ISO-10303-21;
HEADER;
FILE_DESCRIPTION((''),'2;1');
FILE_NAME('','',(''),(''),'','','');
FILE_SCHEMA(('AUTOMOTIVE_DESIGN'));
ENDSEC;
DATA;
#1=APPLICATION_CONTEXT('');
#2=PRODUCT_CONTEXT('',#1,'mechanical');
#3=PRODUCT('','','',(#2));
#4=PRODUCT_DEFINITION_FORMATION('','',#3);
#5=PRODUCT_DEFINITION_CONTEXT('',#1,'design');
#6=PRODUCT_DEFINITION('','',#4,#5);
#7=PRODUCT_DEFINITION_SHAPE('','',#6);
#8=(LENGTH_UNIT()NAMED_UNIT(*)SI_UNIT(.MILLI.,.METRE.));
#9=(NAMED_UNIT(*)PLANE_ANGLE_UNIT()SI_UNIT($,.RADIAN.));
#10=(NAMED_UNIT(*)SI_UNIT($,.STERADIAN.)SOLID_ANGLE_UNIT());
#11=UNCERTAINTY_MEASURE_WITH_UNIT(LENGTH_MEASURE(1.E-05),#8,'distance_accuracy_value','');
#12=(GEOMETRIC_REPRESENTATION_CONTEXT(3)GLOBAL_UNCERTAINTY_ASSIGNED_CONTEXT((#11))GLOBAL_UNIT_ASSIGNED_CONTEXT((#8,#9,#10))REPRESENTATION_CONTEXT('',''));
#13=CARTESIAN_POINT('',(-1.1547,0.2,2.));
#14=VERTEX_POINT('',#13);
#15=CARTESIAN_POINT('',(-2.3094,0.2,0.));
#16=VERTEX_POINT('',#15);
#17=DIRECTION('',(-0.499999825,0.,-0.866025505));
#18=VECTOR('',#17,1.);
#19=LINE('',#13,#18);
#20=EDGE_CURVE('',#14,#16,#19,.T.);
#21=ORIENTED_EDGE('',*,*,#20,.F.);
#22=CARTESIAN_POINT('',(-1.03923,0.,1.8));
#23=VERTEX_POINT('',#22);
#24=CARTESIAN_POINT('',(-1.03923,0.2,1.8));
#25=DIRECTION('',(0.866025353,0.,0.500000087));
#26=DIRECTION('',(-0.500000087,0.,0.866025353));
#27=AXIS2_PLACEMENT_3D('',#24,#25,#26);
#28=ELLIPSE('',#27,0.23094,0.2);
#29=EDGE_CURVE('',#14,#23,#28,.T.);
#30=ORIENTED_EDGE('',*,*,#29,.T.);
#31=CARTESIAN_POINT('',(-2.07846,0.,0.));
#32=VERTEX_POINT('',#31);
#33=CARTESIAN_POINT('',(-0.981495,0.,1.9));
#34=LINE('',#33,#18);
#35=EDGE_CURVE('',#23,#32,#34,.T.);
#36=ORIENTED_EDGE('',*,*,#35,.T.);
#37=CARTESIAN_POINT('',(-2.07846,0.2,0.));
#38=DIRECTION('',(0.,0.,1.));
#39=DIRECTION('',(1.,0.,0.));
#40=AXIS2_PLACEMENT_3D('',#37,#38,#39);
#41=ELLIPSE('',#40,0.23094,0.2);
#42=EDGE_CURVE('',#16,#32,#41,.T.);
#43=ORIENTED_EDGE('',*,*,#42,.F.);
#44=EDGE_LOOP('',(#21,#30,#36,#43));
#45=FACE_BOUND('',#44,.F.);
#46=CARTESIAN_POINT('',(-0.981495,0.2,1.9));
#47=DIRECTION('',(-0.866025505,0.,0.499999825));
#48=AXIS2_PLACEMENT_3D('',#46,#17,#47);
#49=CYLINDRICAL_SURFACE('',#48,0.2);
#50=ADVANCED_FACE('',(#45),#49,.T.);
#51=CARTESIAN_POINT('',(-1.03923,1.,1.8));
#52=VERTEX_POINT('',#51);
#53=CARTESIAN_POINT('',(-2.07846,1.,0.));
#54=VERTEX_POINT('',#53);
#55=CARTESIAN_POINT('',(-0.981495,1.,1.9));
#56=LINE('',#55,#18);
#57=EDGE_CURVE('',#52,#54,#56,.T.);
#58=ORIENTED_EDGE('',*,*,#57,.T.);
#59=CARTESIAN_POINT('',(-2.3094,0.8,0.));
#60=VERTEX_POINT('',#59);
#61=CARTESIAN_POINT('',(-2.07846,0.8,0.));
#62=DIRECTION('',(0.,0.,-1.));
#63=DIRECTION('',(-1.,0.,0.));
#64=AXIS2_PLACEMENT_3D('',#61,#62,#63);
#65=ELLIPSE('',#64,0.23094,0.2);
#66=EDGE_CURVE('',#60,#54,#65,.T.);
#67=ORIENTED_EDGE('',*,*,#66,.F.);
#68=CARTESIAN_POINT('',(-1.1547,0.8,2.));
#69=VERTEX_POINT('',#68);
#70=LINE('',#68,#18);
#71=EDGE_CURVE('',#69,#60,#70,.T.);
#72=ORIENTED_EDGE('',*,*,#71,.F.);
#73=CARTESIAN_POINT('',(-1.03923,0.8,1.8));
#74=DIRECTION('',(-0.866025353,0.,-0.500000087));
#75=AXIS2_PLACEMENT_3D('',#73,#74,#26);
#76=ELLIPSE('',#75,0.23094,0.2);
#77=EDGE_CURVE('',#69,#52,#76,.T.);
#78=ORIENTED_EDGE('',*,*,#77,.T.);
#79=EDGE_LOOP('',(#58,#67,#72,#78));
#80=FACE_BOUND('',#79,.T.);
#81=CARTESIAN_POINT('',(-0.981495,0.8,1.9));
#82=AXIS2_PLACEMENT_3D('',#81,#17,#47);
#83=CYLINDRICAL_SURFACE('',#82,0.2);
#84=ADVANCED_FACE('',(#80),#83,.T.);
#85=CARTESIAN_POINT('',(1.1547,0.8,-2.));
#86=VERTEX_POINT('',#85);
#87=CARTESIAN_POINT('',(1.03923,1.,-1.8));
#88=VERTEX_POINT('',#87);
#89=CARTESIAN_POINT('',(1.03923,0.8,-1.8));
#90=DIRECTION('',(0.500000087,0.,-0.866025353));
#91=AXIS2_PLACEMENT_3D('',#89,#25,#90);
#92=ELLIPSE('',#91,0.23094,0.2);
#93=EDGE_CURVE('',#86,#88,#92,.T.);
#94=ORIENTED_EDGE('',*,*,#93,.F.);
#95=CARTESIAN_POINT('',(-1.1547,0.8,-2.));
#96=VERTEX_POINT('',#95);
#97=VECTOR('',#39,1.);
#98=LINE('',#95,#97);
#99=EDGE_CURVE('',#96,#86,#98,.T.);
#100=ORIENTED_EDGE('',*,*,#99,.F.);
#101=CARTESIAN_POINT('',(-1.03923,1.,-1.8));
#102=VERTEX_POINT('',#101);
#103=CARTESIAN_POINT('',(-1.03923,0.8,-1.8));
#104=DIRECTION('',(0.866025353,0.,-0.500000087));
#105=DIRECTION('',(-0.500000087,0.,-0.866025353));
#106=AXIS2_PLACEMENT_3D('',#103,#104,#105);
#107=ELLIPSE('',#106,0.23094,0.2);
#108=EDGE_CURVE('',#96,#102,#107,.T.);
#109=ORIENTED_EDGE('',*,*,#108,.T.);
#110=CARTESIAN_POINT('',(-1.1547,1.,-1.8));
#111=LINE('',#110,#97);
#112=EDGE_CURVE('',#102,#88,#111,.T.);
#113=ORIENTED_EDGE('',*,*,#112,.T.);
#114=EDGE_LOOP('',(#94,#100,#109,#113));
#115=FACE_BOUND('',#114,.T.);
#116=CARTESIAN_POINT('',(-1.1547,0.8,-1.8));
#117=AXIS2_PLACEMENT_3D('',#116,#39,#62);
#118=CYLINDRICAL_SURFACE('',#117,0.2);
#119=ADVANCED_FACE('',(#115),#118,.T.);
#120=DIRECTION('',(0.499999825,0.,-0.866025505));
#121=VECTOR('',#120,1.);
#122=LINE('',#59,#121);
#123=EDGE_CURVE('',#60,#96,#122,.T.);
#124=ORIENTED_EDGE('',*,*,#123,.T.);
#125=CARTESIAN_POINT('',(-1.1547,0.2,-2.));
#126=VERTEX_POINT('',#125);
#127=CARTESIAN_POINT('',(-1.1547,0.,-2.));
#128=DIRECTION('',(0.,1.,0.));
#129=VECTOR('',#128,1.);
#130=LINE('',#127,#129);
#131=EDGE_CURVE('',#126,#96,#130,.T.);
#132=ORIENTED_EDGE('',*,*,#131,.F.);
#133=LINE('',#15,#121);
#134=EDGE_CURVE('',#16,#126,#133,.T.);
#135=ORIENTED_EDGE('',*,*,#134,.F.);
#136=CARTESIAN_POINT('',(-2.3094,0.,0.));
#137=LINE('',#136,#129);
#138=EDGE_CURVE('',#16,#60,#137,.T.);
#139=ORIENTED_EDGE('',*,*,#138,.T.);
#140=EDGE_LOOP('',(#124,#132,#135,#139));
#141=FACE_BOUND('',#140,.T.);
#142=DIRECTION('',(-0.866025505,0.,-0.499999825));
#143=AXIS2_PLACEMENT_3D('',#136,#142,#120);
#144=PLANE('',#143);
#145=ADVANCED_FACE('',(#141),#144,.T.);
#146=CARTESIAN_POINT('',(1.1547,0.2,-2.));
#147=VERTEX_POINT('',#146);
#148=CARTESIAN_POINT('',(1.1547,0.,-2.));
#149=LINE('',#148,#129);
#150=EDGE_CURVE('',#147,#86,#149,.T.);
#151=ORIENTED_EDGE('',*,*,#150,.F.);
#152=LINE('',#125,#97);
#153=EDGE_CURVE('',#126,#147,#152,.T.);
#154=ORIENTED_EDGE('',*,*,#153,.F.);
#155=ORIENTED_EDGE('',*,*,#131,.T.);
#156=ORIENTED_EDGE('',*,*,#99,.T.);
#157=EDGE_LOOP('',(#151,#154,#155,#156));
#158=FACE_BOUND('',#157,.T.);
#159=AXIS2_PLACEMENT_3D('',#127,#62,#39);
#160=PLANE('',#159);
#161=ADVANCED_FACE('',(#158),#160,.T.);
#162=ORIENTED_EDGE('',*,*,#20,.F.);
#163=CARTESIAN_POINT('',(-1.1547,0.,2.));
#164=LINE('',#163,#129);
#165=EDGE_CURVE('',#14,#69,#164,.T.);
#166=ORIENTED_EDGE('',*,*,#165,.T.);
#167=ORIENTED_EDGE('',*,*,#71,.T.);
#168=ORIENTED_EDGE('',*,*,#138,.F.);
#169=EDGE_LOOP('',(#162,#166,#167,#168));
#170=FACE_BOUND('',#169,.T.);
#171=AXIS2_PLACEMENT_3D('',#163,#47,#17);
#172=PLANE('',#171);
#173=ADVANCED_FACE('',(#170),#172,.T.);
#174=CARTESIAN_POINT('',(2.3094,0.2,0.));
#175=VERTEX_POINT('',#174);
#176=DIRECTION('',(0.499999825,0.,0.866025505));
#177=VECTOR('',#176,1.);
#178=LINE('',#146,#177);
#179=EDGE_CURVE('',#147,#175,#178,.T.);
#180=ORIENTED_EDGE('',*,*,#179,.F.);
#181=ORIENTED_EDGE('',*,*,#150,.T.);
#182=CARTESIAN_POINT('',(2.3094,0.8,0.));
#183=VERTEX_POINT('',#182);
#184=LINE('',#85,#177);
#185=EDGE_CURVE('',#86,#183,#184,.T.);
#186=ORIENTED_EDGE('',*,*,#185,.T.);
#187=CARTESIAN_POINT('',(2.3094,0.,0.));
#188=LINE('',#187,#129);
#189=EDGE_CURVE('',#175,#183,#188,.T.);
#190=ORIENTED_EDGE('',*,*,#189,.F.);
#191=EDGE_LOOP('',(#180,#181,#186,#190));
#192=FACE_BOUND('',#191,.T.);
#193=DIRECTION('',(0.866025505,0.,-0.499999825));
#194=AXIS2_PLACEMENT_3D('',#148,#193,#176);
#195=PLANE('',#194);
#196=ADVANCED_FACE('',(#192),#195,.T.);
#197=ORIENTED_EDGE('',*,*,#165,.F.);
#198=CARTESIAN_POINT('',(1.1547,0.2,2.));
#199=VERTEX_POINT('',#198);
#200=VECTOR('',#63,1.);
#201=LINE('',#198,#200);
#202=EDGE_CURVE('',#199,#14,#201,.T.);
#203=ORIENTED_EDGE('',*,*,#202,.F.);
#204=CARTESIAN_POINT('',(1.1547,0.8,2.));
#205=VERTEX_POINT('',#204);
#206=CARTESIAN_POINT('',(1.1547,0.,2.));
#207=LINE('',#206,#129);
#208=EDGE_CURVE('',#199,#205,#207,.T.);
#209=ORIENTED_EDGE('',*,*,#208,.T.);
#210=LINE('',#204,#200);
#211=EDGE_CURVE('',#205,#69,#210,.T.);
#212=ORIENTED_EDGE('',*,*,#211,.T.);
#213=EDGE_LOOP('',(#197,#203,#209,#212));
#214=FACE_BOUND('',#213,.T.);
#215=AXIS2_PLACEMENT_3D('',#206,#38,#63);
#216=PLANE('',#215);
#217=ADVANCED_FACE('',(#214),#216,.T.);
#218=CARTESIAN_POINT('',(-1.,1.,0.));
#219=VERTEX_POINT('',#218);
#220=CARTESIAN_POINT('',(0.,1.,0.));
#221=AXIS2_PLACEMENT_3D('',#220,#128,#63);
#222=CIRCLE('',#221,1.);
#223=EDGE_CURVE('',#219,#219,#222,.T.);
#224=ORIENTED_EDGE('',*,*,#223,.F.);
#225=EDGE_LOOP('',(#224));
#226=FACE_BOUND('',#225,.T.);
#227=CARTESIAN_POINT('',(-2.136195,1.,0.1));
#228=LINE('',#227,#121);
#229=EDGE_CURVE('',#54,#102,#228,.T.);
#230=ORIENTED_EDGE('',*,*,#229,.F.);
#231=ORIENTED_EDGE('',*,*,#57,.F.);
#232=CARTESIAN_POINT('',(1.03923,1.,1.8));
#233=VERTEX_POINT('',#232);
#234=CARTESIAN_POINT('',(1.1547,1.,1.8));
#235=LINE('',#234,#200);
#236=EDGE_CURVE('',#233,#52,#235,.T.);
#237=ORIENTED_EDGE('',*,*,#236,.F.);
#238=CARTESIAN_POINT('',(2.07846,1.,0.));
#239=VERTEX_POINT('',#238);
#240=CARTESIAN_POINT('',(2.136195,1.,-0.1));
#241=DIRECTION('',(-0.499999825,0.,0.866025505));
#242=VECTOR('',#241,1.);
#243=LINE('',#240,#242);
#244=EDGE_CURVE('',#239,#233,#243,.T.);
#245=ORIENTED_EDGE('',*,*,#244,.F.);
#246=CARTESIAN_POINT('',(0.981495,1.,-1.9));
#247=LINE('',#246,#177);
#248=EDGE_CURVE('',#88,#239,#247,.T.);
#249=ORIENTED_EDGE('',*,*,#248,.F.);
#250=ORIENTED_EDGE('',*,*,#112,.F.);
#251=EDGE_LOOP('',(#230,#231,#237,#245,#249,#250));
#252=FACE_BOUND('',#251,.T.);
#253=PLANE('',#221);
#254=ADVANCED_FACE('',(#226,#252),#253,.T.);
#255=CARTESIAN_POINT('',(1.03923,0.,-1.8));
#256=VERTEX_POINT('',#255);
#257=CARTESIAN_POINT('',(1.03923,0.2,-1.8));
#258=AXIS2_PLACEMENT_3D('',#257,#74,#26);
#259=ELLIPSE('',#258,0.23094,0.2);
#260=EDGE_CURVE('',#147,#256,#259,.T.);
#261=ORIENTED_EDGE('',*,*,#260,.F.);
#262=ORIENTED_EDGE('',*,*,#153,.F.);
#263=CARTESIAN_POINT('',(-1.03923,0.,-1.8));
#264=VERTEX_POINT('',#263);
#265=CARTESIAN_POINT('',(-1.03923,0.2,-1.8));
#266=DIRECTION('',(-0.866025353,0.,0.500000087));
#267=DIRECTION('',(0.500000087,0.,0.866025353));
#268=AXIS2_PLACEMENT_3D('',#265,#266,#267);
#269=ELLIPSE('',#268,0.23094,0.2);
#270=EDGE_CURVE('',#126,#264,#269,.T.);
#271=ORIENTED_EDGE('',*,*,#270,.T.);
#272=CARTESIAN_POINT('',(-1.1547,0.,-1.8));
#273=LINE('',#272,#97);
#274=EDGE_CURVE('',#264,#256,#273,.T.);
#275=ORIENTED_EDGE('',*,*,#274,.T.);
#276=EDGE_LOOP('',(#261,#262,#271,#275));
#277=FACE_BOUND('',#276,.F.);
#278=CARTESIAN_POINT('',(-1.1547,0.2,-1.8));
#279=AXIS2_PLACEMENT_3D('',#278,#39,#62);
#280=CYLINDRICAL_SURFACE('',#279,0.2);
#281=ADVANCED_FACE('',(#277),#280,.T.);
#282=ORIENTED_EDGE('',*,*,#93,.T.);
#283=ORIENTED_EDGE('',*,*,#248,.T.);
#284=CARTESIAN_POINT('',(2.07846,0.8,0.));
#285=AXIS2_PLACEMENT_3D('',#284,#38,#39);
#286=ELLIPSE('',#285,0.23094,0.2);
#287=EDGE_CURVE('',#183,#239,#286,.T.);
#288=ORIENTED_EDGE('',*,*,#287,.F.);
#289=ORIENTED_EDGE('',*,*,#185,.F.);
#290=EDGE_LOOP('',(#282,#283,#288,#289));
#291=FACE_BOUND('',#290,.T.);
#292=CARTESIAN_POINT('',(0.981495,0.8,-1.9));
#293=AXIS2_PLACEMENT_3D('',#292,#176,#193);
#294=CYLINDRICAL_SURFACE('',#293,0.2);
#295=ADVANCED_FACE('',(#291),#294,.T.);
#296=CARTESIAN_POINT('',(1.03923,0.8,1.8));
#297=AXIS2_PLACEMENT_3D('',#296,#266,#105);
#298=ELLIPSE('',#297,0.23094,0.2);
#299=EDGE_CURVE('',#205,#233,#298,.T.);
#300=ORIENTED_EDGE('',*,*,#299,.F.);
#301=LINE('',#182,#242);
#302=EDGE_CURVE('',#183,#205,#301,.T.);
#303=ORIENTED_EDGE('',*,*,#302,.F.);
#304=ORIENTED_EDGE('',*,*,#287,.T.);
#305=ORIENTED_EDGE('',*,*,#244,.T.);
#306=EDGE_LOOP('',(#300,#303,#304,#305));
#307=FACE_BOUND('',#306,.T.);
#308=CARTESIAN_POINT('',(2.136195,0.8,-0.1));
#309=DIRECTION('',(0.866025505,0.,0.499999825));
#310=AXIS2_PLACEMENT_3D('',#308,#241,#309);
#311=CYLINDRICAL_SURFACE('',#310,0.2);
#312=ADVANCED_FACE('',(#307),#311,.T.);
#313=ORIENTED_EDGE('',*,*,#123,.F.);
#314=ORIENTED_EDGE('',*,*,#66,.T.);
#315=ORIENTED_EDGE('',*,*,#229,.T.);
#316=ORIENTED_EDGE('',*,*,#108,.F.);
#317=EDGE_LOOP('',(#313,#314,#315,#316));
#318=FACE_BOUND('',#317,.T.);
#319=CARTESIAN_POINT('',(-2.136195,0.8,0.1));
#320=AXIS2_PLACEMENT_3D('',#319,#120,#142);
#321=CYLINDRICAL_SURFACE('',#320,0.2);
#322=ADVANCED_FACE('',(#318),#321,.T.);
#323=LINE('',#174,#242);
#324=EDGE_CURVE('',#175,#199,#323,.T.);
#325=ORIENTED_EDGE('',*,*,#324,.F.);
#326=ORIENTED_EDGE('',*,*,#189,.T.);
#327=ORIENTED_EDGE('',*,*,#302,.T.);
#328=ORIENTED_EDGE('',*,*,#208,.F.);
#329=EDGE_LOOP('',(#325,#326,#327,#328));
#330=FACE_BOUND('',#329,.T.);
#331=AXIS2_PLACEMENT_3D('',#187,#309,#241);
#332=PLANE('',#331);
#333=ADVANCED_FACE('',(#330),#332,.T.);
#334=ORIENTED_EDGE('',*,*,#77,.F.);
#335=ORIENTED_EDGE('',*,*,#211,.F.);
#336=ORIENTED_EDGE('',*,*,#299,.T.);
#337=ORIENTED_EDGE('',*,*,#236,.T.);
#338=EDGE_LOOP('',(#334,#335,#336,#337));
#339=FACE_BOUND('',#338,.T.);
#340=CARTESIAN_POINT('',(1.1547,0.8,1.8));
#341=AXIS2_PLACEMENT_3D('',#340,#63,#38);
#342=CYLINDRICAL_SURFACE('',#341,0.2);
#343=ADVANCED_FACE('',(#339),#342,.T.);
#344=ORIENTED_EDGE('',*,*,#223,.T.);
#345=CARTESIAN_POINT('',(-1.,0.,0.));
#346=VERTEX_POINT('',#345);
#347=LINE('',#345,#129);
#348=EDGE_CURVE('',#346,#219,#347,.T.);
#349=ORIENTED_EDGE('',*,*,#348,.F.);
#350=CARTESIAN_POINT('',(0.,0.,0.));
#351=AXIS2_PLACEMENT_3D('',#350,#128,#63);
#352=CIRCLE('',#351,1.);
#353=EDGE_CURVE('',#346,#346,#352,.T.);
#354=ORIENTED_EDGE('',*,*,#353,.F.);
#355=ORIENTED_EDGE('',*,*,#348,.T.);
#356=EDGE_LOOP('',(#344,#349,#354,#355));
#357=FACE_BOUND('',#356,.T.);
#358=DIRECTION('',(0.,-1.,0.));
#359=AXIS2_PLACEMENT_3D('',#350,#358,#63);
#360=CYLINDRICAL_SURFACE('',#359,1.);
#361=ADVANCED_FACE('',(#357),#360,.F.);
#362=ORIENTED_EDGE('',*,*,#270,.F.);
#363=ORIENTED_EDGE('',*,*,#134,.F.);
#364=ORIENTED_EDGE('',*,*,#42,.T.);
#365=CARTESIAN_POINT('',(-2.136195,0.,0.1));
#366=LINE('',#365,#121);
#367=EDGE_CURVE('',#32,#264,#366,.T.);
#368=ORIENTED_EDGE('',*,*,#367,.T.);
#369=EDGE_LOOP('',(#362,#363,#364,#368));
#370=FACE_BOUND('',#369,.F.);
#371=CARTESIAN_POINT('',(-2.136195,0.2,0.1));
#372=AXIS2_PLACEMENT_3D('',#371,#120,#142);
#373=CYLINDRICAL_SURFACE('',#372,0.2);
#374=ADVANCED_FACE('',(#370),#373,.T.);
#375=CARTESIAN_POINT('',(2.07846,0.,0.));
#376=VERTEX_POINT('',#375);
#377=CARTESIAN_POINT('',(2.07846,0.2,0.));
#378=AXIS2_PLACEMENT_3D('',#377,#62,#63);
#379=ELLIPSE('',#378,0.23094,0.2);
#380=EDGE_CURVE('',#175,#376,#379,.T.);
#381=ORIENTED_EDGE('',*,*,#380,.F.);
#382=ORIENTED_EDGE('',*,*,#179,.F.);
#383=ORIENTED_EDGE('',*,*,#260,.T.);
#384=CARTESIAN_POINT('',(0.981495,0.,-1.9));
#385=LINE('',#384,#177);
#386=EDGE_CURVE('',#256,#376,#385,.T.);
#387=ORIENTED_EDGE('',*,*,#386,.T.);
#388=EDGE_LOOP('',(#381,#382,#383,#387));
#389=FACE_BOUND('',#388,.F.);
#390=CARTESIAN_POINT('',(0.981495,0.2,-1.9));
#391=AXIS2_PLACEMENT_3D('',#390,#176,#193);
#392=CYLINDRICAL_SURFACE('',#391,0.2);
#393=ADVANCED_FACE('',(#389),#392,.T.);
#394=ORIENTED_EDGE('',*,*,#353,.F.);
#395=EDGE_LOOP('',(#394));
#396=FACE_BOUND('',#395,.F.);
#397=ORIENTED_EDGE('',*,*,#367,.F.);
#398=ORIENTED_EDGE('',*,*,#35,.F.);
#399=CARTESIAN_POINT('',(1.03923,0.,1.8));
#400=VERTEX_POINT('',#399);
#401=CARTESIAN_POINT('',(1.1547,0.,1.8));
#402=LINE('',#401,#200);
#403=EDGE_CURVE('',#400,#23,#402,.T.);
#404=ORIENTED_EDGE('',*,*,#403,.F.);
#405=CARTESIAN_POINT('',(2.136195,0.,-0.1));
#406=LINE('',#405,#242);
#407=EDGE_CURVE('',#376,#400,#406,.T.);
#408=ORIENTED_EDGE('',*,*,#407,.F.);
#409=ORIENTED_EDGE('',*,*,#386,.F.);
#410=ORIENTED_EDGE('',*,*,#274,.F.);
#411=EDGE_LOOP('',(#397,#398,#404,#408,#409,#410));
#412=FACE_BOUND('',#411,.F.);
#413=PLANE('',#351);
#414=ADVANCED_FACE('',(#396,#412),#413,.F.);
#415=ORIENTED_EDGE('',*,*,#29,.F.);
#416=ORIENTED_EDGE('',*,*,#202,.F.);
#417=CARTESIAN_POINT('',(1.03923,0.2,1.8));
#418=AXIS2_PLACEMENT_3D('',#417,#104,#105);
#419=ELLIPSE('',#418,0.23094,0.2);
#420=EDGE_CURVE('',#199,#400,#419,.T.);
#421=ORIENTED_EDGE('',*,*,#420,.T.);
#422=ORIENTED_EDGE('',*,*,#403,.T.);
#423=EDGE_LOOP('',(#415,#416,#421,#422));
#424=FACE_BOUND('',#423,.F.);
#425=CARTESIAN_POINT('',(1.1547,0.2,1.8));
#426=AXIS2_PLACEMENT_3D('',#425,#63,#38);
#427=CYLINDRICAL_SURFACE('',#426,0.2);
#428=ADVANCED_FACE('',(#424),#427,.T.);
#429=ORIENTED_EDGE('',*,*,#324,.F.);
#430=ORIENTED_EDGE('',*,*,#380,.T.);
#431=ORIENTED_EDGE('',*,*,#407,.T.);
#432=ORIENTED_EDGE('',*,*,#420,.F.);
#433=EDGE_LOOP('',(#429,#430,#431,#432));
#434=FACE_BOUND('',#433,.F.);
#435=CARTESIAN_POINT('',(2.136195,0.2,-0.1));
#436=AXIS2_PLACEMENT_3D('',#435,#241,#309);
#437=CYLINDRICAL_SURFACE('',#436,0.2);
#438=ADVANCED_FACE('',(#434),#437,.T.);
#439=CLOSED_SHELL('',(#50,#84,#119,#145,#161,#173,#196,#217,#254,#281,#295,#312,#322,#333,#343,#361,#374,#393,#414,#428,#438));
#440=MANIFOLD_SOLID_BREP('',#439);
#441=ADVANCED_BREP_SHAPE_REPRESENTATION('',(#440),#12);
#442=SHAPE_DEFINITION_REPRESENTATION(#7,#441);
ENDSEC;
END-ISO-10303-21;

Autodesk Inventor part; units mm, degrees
ref_plane "YZ Plane" through (0, 0, 0) normal (1, 0, 0) x (0, 1, 0)
ref_plane "XZ Plane" through (0, 0, 0) normal (0, 1, 0) x (-1, 0, 0)
ref_plane "XY Plane" through (0, 0, 0) normal (0, 0, 1) x (1, 0, 0)
sketch "Sketch1" plane through (0, 0, 0) normal (0, 1, 0) x (-1, 0, 0)
  line L0 (1.1547, 2) -> (2.3094, 0)
  line L1 (2.3094, 0) -> (1.1547, -2)
  line L2 (1.1547, -2) -> (-1.1547, -2)
  line L3 (-1.1547, -2) -> (-2.3094, 0)
  line L4 (-2.3094, 0) -> (-1.1547, 2)
  line L5 (-1.1547, 2) -> (1.1547, 2)
  circle A0 centre (0, 0) radius 1
  dimension "d0" = 4
  dimension "d1" = 2
extrude "Extrusion1" add sketch "Sketch1" along normal blind 1
fillet "Fillet1" radius 0.2 12 edges at (0, 1, 2) (-1.7321, 1, 1) (-1.7321, 1, -1) (0, 1, -2) (1.7321, 1, -1) (1.7321, 1, 1) (0, 0, 2) (1.7321, 0, 1) (1.7321, 0, -1) (0, 0, -2) (-1.7321, 0, -1) (-1.7321, 0, 1)
properties part number "m2_nut" material "Stainless Steel"
